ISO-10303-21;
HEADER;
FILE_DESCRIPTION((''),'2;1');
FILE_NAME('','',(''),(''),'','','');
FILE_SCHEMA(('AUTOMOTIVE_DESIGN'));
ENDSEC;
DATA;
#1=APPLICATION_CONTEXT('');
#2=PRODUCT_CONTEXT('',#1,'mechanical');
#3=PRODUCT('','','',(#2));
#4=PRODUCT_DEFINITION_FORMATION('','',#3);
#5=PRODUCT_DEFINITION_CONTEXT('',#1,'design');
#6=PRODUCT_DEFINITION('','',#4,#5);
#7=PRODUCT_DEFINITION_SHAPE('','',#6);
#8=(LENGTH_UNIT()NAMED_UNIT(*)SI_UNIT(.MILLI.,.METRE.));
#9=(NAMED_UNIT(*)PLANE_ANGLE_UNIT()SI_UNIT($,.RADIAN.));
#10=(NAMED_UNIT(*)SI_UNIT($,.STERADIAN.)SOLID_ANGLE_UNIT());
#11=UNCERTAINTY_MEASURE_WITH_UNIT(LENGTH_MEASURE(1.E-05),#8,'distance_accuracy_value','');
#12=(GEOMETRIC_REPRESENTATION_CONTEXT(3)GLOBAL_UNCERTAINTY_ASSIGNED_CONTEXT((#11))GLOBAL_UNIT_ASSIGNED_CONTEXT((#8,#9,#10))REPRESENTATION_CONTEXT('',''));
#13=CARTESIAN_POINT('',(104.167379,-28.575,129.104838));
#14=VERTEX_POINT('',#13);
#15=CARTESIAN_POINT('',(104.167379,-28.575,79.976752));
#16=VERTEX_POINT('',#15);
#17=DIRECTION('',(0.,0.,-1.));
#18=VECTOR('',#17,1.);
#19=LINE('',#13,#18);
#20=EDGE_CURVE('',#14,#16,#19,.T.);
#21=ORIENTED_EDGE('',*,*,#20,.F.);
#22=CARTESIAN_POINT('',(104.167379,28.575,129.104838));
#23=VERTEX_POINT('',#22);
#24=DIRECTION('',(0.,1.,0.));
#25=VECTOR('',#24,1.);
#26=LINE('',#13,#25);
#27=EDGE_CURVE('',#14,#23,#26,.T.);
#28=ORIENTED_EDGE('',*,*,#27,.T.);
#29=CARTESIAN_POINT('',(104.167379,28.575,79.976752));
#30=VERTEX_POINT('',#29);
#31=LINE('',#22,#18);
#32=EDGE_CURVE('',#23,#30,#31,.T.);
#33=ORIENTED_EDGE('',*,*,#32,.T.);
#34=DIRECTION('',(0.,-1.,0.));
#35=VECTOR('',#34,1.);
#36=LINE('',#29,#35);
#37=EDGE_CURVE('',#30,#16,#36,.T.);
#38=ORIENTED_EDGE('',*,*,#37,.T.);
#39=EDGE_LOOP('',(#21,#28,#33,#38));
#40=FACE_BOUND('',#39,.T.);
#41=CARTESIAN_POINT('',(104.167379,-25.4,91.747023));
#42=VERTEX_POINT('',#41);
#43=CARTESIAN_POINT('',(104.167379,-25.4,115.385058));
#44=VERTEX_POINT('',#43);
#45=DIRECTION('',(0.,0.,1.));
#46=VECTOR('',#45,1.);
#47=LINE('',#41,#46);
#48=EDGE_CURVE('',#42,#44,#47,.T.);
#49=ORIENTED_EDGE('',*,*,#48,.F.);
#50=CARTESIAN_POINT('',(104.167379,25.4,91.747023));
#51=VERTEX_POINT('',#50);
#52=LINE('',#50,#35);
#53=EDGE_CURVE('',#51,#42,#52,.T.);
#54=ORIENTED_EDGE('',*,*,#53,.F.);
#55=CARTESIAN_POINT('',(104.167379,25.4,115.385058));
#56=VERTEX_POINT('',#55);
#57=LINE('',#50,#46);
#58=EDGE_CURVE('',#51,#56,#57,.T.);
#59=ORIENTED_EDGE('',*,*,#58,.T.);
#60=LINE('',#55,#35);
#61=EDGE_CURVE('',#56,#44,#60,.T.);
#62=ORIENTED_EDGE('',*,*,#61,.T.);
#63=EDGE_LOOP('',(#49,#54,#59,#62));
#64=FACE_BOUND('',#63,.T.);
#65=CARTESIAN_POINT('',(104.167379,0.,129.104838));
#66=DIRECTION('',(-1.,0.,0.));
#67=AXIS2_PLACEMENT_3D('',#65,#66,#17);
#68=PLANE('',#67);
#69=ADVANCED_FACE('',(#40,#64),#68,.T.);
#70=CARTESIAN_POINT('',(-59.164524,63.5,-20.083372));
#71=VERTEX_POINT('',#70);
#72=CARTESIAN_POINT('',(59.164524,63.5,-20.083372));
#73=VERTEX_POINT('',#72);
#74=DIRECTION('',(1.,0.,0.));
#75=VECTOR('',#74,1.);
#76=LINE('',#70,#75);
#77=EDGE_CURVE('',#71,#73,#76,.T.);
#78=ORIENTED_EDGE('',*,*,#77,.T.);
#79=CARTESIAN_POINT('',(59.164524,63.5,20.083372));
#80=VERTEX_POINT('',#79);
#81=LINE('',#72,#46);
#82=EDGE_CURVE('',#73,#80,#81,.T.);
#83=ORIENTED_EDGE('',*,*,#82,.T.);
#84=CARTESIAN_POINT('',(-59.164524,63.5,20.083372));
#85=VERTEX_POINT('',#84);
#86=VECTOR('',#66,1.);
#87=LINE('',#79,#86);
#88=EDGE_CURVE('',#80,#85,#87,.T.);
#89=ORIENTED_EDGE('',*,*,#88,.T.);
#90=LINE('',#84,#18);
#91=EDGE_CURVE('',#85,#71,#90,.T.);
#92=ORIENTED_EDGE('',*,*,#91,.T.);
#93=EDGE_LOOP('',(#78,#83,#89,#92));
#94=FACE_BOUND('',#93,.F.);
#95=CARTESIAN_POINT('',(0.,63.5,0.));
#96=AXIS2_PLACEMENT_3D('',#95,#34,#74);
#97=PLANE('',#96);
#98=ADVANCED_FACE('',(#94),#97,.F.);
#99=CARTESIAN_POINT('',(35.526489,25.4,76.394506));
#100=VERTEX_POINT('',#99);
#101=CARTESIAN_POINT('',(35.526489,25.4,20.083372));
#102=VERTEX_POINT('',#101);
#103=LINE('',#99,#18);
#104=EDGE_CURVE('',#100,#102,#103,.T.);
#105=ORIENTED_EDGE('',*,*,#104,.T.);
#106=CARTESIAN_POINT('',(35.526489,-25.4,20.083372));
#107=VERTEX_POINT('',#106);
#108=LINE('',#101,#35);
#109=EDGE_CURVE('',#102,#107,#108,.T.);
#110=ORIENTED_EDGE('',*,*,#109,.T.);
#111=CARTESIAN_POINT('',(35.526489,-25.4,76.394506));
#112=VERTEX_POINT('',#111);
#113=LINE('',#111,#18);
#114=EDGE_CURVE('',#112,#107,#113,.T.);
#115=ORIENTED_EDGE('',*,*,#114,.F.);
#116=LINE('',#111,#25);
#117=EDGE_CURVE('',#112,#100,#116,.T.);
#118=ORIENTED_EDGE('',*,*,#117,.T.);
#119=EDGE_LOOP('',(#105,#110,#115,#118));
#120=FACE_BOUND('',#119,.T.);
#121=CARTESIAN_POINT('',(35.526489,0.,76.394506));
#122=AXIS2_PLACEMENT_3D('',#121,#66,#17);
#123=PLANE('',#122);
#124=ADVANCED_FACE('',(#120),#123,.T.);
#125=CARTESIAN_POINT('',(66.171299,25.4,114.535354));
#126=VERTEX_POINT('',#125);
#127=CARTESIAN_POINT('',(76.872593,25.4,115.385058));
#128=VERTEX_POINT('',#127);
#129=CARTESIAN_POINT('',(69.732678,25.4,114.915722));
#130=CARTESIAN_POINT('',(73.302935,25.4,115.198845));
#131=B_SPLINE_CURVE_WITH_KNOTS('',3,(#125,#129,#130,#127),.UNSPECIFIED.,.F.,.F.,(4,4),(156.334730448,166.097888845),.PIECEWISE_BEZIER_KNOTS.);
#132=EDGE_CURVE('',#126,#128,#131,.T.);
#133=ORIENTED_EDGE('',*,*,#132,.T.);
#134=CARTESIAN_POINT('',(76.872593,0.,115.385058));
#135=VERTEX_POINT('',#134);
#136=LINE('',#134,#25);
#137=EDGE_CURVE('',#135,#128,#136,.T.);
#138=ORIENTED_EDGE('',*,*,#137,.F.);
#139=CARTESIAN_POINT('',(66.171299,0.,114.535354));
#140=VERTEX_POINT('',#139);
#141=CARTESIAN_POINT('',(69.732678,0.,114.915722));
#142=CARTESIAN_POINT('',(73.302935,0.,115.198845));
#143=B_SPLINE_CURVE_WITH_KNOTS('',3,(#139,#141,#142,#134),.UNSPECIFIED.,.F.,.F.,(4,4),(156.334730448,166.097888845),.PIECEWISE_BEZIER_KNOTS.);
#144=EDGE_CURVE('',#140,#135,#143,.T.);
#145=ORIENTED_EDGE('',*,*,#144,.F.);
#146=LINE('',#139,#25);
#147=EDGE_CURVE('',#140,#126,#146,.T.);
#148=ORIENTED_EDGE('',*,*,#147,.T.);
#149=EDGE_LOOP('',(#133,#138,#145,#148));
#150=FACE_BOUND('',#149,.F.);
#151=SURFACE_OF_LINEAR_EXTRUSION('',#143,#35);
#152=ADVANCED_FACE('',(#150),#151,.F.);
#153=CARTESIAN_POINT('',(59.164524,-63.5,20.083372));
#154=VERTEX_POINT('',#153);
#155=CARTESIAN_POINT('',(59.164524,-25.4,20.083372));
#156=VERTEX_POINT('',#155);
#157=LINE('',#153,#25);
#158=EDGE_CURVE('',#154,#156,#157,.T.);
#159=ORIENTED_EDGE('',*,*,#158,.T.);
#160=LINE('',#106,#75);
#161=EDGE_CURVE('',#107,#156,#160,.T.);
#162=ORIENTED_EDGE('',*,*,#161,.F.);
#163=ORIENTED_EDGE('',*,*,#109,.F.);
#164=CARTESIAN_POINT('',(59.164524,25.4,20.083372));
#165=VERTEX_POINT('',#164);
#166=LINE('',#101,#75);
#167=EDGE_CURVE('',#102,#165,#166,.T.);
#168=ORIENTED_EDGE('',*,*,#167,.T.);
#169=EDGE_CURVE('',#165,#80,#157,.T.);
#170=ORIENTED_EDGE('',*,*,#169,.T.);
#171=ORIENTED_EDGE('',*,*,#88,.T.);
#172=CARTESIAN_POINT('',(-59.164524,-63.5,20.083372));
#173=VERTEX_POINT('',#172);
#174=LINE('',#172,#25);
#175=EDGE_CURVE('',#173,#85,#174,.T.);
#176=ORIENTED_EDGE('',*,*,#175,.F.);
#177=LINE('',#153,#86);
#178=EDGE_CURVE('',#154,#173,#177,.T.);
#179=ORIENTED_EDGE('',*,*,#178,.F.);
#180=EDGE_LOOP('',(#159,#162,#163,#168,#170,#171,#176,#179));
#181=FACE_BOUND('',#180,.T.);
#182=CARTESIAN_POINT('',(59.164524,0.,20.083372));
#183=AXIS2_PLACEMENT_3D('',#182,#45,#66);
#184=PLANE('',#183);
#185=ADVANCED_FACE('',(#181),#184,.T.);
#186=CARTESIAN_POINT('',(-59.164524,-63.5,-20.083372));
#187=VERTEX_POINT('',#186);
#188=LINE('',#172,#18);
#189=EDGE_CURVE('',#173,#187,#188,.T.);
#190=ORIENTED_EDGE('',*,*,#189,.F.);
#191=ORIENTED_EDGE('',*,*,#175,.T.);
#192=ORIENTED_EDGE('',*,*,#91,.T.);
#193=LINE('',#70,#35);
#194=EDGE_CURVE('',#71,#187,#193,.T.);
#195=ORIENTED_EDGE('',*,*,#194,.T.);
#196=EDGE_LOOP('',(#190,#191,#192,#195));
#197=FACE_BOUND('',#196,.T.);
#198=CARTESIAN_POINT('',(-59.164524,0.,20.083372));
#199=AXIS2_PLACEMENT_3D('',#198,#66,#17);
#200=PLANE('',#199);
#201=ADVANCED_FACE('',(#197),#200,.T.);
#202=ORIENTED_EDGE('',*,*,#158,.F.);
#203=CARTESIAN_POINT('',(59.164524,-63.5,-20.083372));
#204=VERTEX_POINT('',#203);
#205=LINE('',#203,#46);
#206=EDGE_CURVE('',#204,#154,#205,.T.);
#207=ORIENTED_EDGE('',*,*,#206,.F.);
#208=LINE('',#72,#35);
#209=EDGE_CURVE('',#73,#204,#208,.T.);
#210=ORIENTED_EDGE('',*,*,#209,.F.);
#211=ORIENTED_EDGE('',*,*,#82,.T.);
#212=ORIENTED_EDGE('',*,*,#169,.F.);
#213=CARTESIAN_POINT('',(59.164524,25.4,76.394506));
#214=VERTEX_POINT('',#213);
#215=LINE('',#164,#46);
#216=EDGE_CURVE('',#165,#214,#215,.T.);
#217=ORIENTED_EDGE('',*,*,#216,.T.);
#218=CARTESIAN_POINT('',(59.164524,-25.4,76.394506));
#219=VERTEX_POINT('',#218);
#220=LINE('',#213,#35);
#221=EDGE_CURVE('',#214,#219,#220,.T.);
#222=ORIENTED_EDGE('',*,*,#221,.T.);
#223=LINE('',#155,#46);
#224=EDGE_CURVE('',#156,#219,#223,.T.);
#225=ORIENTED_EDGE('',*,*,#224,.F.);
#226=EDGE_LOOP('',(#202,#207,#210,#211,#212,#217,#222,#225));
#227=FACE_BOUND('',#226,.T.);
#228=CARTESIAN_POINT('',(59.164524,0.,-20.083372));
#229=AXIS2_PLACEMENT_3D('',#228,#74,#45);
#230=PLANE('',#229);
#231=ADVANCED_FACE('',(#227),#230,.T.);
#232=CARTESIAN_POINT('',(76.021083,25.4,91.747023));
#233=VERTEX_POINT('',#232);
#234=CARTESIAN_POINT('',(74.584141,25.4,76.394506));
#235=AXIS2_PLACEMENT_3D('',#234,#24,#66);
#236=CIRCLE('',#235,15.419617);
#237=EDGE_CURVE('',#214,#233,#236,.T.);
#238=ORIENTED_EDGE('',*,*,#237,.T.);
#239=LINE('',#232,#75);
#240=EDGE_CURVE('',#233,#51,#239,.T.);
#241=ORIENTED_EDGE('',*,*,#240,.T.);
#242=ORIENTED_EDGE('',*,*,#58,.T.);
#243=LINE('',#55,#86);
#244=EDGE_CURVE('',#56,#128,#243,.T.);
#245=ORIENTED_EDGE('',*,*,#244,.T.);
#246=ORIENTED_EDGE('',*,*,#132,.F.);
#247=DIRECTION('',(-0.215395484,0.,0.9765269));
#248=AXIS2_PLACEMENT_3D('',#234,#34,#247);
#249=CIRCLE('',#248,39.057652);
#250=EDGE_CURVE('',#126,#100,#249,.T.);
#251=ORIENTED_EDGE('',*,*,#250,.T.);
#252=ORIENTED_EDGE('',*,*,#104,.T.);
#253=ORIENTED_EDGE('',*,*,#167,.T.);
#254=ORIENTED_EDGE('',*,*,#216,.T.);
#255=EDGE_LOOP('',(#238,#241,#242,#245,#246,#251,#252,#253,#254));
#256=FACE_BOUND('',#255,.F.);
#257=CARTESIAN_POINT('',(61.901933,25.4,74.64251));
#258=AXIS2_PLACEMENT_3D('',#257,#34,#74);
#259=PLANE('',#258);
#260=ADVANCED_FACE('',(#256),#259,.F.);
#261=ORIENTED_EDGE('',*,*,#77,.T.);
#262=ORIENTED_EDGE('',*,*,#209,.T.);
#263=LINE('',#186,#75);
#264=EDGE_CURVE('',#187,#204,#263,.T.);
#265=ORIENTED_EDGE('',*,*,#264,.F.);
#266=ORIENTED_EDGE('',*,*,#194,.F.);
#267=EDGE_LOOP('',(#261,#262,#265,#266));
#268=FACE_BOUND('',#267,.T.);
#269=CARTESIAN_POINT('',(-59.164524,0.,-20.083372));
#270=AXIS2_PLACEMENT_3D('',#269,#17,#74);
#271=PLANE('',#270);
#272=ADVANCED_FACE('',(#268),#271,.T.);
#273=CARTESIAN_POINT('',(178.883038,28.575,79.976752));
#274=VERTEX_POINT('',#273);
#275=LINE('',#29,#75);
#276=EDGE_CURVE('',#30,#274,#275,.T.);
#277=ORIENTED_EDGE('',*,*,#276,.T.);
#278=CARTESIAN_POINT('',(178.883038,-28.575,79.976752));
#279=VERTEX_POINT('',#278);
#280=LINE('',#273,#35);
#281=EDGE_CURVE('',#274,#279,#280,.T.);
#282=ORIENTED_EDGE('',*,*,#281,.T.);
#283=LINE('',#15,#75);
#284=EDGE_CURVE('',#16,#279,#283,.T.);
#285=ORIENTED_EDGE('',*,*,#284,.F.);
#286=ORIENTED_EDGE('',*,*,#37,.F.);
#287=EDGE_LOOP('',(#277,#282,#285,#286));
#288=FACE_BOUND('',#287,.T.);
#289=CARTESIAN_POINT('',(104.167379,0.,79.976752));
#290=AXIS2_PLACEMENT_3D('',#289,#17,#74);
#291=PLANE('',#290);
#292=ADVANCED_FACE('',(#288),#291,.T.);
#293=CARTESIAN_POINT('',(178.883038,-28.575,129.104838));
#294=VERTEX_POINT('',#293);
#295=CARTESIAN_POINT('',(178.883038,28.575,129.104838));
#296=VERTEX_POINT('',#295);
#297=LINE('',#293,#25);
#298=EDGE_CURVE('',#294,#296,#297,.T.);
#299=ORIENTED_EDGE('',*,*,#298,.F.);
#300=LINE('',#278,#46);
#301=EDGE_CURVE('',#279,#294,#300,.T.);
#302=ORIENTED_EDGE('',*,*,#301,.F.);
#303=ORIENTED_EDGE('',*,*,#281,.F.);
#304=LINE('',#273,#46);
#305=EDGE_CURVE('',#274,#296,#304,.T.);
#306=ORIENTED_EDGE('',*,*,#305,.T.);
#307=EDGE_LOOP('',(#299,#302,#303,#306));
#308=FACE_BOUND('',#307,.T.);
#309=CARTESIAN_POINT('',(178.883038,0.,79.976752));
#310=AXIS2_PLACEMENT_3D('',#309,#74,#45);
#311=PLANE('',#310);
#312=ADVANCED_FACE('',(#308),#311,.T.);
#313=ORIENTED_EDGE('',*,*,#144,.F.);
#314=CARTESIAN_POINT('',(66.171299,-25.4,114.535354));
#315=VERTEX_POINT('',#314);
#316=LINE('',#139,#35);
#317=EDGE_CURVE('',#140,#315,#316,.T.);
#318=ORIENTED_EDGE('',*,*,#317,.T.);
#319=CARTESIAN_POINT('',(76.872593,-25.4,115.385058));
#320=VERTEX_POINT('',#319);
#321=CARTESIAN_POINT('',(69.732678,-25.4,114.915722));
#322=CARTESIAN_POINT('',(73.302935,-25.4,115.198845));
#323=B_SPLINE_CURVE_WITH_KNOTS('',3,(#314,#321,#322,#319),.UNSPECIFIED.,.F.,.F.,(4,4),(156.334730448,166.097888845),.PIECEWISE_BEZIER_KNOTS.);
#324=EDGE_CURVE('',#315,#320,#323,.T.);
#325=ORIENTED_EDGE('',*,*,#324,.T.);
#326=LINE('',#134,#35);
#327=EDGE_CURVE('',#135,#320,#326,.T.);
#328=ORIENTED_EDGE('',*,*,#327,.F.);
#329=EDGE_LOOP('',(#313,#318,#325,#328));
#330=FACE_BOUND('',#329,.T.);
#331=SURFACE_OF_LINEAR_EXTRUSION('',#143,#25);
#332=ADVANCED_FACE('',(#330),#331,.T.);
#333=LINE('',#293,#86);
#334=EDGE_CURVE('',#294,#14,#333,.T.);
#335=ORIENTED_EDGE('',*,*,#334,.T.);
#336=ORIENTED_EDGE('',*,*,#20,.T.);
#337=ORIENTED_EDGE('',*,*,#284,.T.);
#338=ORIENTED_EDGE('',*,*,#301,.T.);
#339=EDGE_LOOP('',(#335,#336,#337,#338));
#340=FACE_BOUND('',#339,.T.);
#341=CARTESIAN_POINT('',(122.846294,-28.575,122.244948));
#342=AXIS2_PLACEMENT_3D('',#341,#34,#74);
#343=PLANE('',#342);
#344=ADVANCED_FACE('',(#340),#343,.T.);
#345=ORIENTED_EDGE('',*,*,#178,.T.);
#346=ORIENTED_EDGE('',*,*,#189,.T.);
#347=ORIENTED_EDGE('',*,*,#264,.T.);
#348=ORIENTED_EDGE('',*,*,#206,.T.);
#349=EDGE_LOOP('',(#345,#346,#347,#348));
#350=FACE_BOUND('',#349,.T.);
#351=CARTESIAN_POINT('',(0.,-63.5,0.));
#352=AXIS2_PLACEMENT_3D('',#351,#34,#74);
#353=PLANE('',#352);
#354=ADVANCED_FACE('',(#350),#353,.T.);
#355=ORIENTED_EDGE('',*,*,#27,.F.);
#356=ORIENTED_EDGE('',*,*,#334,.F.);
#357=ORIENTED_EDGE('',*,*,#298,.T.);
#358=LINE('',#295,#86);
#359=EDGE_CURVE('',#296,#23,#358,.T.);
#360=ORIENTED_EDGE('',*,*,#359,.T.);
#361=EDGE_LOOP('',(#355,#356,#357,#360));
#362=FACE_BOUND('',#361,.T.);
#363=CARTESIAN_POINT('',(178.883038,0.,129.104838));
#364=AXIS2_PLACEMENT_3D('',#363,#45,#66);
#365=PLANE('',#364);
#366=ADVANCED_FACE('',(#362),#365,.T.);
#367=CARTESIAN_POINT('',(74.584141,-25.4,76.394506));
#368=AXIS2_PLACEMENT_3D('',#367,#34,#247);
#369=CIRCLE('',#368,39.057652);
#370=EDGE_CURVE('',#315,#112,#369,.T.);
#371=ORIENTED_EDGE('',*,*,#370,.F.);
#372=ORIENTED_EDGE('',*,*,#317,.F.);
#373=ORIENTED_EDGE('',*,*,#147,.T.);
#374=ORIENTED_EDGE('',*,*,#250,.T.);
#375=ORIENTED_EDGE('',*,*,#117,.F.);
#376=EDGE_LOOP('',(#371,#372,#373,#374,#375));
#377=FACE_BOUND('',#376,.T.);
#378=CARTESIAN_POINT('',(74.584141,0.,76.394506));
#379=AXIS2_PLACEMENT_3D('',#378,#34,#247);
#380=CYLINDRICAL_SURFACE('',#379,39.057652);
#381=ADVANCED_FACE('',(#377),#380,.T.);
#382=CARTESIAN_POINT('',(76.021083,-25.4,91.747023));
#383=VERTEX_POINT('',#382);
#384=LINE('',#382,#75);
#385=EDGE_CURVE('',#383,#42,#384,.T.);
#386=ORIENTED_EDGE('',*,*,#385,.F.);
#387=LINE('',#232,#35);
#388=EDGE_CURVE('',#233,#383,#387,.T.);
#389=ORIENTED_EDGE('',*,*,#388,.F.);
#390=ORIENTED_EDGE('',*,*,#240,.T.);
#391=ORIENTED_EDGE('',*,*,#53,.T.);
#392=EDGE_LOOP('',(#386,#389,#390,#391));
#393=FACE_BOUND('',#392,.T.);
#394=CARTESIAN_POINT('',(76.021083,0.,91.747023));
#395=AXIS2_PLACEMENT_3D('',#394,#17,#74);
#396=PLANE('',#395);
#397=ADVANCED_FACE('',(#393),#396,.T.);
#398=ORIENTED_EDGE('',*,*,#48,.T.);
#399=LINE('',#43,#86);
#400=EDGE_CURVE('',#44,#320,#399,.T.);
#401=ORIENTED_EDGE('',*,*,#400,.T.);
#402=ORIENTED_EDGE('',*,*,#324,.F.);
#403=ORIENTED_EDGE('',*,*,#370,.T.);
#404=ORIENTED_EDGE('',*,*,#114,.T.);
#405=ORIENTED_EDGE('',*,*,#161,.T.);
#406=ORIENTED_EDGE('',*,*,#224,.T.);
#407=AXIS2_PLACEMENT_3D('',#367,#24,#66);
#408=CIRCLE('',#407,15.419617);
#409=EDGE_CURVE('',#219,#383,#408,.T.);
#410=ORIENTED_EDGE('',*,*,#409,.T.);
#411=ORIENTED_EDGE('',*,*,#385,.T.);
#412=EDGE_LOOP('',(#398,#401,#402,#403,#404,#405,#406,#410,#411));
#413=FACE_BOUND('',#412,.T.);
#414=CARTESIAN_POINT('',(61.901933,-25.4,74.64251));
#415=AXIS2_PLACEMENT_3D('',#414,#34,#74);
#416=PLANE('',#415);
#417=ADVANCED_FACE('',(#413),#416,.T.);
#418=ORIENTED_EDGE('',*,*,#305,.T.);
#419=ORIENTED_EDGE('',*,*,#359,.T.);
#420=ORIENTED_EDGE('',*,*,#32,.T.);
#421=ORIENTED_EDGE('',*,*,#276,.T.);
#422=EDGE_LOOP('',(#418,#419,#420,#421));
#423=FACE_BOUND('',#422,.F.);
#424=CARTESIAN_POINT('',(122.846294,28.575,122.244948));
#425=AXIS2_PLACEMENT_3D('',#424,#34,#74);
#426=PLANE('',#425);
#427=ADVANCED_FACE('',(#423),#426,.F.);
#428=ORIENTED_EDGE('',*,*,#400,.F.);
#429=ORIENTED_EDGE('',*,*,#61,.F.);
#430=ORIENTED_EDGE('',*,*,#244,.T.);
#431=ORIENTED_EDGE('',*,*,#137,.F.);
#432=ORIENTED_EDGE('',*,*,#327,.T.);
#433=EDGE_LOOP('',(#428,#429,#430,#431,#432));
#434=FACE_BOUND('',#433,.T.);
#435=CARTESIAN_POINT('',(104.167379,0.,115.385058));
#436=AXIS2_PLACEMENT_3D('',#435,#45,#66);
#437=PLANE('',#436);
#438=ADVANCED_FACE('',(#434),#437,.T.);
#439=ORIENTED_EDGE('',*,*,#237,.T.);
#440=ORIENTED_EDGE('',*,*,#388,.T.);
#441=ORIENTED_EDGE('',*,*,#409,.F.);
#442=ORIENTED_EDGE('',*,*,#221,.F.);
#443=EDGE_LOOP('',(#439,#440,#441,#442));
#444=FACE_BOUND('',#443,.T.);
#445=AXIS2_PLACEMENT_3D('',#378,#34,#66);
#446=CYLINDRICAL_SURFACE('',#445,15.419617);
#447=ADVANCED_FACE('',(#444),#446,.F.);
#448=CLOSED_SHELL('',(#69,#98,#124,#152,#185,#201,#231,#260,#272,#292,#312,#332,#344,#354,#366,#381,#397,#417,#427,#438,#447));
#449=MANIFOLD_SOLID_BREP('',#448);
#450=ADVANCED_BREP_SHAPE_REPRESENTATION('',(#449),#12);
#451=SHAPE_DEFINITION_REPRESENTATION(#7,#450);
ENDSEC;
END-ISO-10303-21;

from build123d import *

# Parameters (mm, degrees)
F1_DEPTH = 63.5
F2_DEPTH = 25.4
F0_W     = 37.3578295112
F0_H     = 13.7197794846
F0_H_2   = 23.6380351254
F0_H_3   = 11.7702707648
F3_DEPTH = 28.575


with BuildPart() as f1:
    # F0 (on Front) → F1 (new body, symmetric)
    with BuildSketch(Plane.XZ):
        Polygon((35.526488953, 20.0833715498), (-59.1645240784, 20.0833715498), (-59.1645240784, -20.0833715498), (59.1645240784, -20.0833715498), (59.1645240784, 20.0833715498), align=None)
    extrude(amount=F1_DEPTH, both=True)

    # F0 (on Front) → F2 (join, symmetric)
    with BuildSketch(Plane.XZ):
        with BuildLine():
            Line((35.526488953, 76.3945057988), (35.526488953, 20.0833715498))
            Line((35.526488953, 20.0833715498), (59.1645240784, 20.0833715498))
            Line((59.1645240784, 20.0833715498), (59.1645240784, 76.3945057988))
            ThreePointArc((59.1645240784, 76.3945057988), (64.2012826279, 87.7945426192), (76.0210826993, 91.7470231652))
            Line((76.0210826993, 91.7470231652), (104.1673794389, 91.7470231652))
            Line((104.1673794389, 91.7470231652), (104.1673794389, 115.3850582906))
            Line((104.1673794389, 115.3850582906), (76.8725928536, 115.3850582906))
            add(Edge.make_bspline(
                [(66.1712992482, 114.5353537972), (69.7326775282, 114.9157218144), (73.3029348697, 115.1988448631), (76.8725928536, 115.3850582906)],
                knots=[156.3347304478, 156.3347304478, 156.3347304478, 156.3347304478, 166.0978888451, 166.0978888451, 166.0978888451, 166.0978888451], degree=3))
            ThreePointArc((66.1712992482, 114.5353537972), (44.1367599152, 100.8578900908), (35.526488953, 76.3945057988))
        make_face()
    extrude(amount=F2_DEPTH, both=True)

    # F0 (on Front) → F3 (join, symmetric)
    with BuildSketch(Plane.XZ):
        with Locations((122.8462941945, 122.2449480329)):
            Rectangle(F0_W, F0_H)
        with Locations((122.8462941945, 103.5660407279)):
            Rectangle(F0_W, F0_H_2)
        with Locations((122.8462941945, 85.8618877828)):
            Rectangle(F0_W, F0_H_3)
        Polygon((141.52520895, 129.1048377752), (141.52520895, 115.3850582906), (141.52520895, 91.7470231652), (141.52520895, 79.9767524004), (178.8830384612, 79.9767524004), (178.8830384612, 129.1048377752), align=None)
    extrude(amount=F3_DEPTH, both=True)


solid = f1.part
